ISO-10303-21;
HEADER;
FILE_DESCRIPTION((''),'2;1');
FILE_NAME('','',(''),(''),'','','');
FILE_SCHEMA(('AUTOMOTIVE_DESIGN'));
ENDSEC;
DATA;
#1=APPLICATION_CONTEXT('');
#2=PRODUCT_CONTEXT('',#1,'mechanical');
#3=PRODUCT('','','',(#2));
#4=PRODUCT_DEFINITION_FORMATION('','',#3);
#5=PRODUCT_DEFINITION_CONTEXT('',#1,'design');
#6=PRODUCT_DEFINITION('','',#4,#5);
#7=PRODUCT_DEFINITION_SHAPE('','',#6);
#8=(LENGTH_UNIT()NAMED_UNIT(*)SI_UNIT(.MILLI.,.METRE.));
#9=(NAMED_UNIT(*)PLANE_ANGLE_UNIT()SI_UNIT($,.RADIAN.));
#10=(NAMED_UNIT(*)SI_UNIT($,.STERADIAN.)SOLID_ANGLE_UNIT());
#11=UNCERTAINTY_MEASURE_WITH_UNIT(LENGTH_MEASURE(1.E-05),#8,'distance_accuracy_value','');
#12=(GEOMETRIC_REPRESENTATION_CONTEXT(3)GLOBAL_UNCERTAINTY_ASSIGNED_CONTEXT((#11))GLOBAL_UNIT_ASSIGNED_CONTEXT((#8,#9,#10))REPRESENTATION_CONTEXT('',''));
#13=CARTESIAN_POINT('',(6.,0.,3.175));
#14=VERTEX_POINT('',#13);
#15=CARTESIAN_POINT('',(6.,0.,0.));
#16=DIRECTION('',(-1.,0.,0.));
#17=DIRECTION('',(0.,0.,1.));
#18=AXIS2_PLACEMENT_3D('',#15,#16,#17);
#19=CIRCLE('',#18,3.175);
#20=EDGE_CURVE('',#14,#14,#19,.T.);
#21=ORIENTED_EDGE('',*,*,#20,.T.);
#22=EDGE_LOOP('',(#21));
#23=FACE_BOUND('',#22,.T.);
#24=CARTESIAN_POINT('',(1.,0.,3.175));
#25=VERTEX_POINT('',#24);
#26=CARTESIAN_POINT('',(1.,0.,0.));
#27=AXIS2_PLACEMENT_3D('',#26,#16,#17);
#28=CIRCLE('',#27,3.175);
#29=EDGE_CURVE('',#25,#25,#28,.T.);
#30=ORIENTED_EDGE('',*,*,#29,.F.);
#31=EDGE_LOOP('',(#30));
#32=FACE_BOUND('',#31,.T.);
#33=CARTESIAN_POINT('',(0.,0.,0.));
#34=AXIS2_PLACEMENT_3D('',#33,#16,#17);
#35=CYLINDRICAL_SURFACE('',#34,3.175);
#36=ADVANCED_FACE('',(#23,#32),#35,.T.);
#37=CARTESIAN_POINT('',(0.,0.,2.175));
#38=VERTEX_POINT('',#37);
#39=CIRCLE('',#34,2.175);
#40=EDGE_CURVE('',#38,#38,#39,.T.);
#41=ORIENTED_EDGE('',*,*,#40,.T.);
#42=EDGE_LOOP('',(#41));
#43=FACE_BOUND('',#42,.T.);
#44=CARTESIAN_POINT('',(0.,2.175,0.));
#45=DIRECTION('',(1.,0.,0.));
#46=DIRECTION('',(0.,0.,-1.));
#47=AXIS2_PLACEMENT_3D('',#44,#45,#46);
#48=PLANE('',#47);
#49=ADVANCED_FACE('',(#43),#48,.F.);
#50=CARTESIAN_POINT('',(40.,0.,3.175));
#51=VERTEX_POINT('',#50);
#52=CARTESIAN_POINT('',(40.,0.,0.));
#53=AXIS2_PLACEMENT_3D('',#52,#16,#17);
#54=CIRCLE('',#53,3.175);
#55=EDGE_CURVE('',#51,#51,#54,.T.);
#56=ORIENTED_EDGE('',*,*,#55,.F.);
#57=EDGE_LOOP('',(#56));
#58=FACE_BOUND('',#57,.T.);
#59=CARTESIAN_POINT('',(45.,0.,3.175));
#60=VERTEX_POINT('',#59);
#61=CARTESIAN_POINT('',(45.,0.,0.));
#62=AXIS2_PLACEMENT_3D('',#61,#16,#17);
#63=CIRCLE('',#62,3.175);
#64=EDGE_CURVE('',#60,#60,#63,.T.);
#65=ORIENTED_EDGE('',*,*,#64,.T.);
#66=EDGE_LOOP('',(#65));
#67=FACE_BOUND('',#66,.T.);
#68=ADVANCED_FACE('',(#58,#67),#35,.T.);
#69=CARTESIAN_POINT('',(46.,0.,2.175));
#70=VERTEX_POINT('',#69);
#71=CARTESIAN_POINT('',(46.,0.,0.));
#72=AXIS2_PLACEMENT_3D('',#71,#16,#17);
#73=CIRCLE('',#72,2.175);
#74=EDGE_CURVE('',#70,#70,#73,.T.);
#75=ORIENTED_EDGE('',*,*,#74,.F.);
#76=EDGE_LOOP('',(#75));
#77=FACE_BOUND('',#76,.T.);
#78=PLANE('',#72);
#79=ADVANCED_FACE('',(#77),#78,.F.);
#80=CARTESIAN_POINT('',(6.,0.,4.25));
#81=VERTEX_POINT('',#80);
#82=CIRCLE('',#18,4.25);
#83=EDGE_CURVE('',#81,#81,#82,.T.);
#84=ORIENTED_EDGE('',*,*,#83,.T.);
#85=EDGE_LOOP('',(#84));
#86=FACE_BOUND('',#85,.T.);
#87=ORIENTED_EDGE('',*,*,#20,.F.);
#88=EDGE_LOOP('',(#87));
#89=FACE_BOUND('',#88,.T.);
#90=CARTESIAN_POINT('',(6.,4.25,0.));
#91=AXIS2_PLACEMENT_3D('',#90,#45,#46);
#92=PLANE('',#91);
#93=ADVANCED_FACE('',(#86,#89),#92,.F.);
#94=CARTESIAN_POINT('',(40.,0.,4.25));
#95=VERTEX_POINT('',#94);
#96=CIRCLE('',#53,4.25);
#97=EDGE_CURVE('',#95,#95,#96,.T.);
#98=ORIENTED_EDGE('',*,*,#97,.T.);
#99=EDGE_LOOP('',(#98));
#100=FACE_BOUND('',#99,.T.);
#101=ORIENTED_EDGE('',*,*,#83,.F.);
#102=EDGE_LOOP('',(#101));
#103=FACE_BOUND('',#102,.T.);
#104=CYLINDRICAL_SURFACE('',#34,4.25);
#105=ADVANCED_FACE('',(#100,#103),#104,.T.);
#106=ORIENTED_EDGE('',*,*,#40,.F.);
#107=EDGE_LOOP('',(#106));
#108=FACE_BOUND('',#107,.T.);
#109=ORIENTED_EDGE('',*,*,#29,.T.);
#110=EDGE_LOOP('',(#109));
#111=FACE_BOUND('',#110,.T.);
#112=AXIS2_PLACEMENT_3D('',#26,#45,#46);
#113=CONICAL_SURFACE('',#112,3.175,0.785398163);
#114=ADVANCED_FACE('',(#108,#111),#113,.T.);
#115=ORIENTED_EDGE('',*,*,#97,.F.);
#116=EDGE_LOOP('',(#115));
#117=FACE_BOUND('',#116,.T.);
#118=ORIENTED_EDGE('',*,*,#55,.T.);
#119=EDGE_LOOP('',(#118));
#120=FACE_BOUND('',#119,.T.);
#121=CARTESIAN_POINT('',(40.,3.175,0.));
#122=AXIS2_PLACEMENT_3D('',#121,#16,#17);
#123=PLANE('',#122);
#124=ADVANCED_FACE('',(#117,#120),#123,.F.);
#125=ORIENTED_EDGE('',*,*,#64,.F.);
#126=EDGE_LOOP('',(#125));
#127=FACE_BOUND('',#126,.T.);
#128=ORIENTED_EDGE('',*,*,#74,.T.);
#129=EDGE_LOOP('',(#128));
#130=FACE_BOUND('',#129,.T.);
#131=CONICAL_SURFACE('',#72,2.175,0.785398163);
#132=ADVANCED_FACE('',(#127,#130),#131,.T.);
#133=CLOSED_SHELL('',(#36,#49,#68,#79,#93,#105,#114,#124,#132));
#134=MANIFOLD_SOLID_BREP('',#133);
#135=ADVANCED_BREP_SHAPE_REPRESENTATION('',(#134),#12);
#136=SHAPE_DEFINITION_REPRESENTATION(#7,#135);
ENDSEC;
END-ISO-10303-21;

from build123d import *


with BuildPart() as part:
    # Sketch2 → Revolve3 (revolve)
    with BuildSketch(Plane.XY, mode=Mode.PRIVATE) as revolve3_sk:
        Polygon((0, 0), (46, 0), (46, 2.175), (45, 3.175), (40, 3.175), (40, 4.25), (6, 4.25), (6, 3.175), (1, 3.175), (0, 2.175), align=None)
    revolve(revolve3_sk.sketch.rotate(Axis((0, 0, 0), (1, 0, 0)), 90), axis=Axis((0, 0, 0), (1, 0, 0)))


solid = part.part
